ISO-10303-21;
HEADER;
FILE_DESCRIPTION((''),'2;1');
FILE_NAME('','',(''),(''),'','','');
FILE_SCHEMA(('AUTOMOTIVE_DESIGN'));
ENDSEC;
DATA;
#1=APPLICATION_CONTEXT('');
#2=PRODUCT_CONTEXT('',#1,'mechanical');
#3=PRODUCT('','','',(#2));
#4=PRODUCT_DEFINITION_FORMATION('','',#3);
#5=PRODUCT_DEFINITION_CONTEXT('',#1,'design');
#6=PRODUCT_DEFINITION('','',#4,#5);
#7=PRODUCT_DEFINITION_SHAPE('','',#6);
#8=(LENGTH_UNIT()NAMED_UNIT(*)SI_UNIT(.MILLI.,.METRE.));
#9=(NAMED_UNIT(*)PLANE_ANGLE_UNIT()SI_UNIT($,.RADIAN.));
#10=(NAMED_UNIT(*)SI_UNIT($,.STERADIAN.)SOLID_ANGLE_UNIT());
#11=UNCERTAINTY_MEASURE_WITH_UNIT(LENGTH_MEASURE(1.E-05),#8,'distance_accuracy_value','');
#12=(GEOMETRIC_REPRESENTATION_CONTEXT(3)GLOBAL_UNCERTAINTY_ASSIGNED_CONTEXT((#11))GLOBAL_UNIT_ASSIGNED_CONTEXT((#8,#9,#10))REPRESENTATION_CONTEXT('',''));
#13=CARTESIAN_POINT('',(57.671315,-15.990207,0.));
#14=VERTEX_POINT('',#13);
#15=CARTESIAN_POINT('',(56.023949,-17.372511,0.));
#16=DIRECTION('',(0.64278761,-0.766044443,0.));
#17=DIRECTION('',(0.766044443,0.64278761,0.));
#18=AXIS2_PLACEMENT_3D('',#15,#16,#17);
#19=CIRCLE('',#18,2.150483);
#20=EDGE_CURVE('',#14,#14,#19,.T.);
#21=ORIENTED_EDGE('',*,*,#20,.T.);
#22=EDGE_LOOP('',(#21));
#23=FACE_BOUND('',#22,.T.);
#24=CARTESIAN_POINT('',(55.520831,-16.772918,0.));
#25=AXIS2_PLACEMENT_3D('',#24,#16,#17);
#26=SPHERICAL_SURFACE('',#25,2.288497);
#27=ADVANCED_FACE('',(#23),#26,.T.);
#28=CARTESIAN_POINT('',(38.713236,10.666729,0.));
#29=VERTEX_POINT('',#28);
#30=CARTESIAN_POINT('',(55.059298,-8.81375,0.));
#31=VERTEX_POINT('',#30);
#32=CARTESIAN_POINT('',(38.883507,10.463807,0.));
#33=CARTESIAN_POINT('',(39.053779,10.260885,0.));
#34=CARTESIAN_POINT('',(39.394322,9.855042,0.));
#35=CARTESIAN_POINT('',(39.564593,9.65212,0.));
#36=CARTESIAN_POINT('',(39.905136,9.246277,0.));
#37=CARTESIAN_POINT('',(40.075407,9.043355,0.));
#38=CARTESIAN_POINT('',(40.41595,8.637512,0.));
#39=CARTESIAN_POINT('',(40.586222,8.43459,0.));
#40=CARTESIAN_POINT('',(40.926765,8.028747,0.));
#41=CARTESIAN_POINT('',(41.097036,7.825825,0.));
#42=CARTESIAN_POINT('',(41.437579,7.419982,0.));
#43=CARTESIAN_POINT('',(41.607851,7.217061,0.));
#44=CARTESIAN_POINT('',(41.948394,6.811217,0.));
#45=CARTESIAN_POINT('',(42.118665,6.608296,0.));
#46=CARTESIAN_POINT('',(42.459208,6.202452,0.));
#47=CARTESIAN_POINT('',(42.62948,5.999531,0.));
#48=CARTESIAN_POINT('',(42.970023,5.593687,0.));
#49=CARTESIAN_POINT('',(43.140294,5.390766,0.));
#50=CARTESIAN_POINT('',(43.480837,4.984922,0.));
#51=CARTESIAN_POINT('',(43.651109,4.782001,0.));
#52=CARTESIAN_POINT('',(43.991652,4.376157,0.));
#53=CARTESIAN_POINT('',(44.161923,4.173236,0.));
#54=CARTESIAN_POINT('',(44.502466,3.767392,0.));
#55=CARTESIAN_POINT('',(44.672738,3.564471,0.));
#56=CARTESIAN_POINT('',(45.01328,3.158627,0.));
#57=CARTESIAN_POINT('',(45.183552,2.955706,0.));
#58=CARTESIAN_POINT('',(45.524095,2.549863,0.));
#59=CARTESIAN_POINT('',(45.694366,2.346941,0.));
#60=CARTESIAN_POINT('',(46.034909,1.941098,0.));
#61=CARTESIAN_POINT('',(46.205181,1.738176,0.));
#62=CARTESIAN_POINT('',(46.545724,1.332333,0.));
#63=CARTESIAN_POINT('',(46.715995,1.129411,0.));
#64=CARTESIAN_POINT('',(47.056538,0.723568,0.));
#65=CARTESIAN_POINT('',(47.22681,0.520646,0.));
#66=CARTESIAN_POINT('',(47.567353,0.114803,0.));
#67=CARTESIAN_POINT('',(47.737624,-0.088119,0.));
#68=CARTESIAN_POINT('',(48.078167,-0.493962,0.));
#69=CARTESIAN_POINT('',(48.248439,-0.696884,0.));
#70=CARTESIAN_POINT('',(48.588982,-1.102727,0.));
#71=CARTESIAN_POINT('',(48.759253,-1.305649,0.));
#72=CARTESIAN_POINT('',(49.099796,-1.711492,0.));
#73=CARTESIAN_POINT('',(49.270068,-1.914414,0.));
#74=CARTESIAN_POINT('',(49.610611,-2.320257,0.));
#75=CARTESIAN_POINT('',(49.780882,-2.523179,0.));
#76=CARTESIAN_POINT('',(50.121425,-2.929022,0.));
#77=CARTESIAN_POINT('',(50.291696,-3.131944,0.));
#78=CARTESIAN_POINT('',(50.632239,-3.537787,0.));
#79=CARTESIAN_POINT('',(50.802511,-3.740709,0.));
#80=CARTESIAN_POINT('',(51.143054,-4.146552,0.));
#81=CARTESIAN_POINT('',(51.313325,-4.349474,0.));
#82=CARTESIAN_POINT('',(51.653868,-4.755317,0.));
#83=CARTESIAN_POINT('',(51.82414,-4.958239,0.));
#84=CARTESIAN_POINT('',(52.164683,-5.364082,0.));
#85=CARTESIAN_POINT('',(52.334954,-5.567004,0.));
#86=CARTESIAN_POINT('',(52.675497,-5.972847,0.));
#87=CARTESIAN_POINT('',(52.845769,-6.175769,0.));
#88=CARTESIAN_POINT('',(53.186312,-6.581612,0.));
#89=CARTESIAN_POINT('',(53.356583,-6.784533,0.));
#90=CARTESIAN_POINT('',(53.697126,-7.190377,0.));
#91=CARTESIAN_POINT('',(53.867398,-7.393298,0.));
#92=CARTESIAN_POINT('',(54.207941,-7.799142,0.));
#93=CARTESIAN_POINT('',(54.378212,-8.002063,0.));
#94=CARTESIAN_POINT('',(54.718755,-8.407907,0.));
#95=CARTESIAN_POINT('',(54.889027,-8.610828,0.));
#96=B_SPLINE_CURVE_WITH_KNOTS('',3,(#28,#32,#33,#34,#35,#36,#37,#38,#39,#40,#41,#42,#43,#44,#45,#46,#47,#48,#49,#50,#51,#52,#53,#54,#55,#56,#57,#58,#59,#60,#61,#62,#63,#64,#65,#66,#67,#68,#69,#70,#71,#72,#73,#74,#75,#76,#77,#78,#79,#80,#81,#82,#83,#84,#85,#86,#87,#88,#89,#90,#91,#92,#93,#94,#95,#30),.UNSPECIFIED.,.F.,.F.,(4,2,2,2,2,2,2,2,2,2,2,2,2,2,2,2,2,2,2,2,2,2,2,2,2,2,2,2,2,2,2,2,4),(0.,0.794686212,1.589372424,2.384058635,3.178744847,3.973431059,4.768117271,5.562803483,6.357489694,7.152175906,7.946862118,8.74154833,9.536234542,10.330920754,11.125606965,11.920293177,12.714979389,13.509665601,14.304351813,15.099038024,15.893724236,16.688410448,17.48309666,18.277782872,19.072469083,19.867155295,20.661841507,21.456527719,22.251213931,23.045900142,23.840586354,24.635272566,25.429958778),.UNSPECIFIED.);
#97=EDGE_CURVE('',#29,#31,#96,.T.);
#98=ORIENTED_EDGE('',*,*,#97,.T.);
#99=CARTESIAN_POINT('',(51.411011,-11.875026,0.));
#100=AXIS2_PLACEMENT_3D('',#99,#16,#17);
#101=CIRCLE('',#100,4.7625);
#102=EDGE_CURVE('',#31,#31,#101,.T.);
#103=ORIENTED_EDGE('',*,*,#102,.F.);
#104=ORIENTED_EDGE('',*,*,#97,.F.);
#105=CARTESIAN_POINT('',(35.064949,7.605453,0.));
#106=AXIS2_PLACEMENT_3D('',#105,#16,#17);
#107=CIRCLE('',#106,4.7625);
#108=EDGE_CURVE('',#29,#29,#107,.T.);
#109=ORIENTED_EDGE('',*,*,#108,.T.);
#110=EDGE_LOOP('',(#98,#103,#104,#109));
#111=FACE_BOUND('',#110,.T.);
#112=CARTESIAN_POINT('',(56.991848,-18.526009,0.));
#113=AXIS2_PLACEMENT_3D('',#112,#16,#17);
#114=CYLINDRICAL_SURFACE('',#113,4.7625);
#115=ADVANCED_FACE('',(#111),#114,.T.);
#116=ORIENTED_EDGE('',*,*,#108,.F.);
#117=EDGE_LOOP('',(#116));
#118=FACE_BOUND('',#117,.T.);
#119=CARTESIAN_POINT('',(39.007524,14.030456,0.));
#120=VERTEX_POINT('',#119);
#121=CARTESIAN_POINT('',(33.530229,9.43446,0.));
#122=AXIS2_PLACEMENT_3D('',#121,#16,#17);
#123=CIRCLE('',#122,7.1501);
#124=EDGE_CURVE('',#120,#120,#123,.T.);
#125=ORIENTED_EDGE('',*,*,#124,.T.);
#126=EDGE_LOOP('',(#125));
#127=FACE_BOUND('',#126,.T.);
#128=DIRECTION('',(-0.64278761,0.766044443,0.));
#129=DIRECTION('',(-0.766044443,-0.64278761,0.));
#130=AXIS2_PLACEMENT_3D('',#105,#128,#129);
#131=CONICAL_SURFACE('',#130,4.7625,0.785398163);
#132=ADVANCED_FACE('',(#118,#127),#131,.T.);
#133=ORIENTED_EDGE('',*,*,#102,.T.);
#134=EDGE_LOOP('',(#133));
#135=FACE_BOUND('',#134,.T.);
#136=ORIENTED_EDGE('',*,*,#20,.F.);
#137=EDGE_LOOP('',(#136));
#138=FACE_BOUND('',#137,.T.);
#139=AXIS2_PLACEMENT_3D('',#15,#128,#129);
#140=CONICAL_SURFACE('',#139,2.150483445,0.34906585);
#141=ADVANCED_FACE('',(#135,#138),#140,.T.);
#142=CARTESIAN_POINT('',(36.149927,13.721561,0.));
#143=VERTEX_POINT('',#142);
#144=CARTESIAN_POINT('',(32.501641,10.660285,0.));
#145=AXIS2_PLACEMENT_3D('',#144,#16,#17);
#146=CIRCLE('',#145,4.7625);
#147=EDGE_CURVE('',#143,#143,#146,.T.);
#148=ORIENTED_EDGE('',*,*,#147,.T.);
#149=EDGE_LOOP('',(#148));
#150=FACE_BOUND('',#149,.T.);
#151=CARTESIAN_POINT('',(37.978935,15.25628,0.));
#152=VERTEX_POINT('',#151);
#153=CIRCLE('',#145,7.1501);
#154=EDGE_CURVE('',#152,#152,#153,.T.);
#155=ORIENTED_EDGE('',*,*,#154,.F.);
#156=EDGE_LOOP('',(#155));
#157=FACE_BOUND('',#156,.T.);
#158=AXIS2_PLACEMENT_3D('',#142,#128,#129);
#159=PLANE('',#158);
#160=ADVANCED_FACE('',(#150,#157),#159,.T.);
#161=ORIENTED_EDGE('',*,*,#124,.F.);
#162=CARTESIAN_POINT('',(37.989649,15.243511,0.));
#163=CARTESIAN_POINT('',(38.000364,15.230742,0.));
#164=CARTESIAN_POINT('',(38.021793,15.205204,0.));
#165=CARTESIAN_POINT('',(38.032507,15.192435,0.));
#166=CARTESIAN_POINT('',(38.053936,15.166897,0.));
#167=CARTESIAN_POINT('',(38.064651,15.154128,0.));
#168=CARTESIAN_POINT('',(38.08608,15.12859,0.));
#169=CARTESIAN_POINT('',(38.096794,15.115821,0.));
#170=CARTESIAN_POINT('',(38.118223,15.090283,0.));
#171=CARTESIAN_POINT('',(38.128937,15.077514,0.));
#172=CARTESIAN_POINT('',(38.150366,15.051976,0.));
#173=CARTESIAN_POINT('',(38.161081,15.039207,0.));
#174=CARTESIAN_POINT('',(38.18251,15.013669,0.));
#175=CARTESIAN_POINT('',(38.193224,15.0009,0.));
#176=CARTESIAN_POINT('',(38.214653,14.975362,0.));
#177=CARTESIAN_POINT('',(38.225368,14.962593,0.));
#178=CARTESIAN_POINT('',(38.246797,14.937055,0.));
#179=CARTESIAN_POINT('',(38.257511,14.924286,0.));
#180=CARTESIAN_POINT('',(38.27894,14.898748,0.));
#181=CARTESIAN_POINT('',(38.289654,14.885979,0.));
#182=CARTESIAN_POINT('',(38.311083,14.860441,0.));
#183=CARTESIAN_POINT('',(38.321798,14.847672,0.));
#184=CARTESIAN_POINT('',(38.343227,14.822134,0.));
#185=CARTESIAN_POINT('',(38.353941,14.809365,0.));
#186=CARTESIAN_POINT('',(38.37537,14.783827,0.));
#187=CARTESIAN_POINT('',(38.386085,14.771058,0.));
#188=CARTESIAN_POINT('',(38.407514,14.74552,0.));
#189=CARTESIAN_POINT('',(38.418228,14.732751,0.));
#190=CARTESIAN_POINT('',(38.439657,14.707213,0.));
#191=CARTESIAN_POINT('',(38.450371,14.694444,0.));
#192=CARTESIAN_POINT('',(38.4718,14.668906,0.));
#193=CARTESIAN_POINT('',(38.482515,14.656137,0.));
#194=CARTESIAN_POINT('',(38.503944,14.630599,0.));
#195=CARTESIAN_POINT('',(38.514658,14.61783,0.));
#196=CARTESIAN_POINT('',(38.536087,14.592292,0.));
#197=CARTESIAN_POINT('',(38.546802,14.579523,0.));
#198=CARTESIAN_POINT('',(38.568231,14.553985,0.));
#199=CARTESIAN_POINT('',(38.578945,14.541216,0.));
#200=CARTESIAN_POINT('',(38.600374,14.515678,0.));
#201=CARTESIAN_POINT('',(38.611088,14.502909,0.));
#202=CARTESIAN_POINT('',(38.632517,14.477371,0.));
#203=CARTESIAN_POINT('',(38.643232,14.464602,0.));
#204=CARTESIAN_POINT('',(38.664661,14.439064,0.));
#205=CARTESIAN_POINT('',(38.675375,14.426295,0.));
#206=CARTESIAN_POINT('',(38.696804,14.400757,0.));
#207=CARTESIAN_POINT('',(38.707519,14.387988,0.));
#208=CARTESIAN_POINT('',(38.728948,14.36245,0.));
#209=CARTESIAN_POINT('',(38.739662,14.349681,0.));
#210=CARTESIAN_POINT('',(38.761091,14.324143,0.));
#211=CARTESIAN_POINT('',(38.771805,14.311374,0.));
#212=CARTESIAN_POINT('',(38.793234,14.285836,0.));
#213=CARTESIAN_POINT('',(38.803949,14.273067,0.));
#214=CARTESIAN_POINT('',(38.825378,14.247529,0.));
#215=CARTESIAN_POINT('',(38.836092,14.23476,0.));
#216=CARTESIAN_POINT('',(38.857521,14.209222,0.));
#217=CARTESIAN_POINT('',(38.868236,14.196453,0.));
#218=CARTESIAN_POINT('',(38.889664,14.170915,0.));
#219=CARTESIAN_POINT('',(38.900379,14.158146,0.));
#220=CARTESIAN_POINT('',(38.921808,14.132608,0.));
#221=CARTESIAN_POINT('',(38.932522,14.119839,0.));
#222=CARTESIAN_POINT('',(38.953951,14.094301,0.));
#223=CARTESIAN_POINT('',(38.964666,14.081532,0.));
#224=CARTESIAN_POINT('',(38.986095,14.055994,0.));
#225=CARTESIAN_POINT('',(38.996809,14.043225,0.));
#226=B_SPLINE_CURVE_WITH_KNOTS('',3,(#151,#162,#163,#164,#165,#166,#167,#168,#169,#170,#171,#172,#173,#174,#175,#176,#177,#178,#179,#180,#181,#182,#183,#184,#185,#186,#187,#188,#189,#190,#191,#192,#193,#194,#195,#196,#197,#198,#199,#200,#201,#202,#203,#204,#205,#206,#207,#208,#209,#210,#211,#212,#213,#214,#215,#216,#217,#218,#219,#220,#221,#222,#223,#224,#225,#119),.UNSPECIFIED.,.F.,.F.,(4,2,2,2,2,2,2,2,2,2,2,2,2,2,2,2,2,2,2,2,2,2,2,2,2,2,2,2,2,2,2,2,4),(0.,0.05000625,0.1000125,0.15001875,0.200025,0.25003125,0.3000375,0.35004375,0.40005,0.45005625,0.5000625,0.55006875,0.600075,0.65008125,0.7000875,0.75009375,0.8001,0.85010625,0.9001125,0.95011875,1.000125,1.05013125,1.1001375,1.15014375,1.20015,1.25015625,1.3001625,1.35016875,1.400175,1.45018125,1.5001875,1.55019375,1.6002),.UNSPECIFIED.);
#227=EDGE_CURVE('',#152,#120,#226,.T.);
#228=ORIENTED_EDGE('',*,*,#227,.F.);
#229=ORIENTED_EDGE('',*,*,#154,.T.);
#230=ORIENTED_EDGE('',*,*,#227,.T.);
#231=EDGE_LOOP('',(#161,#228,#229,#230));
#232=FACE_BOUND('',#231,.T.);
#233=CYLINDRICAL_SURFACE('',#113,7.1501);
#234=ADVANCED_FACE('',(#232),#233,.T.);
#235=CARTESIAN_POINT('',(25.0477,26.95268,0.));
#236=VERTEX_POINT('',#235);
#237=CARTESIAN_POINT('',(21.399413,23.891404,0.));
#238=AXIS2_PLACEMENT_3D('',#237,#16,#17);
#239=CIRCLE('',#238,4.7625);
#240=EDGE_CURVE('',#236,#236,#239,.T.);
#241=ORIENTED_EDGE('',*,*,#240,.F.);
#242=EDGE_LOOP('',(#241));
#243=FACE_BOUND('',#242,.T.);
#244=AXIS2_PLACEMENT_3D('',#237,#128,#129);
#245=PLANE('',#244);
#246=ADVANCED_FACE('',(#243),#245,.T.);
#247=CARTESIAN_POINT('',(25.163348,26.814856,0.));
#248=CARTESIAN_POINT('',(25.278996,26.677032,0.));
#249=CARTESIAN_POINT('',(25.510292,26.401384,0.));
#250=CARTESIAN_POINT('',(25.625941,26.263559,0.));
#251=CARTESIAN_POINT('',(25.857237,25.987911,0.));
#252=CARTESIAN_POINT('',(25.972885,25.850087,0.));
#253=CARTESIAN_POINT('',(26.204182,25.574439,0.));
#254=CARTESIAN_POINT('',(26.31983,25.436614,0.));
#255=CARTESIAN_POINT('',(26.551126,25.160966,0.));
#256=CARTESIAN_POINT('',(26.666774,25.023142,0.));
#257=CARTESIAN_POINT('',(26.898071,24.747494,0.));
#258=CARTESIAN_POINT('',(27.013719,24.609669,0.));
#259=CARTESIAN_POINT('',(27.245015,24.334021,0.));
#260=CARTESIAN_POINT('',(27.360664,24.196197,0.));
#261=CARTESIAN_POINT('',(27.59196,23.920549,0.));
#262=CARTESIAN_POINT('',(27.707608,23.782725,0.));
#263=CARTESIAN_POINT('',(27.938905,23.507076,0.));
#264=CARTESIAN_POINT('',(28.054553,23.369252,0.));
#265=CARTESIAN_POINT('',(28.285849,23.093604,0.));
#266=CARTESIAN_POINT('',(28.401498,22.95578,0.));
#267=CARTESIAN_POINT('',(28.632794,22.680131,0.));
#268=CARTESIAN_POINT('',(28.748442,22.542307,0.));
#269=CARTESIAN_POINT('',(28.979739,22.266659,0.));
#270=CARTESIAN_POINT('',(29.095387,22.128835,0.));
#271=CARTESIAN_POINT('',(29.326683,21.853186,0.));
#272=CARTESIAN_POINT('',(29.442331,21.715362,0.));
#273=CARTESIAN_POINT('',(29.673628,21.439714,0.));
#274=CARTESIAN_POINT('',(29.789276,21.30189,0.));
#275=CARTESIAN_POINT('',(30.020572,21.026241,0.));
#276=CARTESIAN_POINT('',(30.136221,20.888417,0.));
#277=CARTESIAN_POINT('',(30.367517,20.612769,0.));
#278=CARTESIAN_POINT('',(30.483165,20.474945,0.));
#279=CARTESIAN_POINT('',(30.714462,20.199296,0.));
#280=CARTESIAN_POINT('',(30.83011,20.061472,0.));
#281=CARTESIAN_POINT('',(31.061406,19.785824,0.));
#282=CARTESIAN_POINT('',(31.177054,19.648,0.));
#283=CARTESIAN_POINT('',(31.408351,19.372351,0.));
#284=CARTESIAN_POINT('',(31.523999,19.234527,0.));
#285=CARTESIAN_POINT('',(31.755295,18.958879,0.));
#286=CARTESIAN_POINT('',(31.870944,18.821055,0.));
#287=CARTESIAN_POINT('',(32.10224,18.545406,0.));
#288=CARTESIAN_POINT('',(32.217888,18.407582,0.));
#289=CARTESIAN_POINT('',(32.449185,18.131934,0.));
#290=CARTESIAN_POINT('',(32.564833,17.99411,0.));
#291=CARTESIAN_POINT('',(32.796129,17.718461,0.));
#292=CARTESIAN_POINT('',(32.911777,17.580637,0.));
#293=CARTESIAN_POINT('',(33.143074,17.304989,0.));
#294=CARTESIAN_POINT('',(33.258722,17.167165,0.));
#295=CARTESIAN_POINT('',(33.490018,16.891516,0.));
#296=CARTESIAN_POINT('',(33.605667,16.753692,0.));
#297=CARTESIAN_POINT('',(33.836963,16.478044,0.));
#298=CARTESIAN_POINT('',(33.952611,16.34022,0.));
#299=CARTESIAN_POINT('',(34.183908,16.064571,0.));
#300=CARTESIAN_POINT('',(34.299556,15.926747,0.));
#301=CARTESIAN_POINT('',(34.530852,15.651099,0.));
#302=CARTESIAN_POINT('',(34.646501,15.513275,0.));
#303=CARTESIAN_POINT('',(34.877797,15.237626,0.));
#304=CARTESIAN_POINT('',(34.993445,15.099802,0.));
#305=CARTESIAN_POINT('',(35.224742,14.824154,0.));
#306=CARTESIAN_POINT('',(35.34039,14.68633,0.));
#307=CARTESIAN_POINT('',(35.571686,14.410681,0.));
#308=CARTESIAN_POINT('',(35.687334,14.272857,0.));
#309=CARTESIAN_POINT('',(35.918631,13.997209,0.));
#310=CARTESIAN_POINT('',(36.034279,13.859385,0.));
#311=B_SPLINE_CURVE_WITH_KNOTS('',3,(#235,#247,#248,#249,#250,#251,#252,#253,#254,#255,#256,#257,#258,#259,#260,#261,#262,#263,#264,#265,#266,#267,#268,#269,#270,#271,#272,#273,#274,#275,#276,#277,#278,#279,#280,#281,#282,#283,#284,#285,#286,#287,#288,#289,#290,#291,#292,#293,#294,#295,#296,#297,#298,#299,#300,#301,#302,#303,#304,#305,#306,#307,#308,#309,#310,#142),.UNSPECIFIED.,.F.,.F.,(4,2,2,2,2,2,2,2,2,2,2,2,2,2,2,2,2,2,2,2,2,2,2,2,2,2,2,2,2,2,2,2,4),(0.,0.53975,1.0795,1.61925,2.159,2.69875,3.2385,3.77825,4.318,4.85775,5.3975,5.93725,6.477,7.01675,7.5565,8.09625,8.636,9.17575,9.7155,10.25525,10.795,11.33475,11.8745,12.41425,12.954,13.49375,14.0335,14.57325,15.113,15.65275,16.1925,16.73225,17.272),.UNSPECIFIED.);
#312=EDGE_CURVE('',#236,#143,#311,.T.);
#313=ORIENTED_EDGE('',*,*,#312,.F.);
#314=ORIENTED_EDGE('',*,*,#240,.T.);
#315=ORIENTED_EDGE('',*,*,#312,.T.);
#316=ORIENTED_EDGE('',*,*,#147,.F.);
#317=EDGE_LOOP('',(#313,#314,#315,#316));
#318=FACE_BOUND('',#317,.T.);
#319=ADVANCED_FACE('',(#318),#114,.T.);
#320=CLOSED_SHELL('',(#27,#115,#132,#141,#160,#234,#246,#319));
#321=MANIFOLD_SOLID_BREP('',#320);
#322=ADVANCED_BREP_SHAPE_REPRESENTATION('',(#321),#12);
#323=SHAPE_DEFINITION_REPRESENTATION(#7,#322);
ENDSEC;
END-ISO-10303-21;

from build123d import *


with BuildPart() as part:
    # Sketch2 → Revolve1 (revolve)
    with BuildSketch(Plane.XY):
        with BuildLine():
            Line((25.047699583, 26.952680264), (36.149927178, 13.721560642))
            Line((36.149927178, 13.721560642), (37.97893489, 15.256280339))
            Line((37.97893489, 15.256280339), (39.007523623, 14.030456021))
            Line((39.007523623, 14.030456021), (38.713235608, 10.666728612))
            Line((38.713235608, 10.666728612), (55.059298025, -8.813749999))
            Line((55.059298025, -8.813749999), (57.671314579, -15.990206501))
            ThreePointArc((57.671314579, -15.990206501), (57.731349183, -17.365224991), (56.991848446, -18.526008632))
            Line((56.991848446, -18.526008632), (21.399412923, 23.891404273))
            Line((21.399412923, 23.891404273), (25.047699583, 26.952680264))
        make_face()
    revolve(axis=Axis((56.991848446, -18.526008632, 0), (-0.6427876096865393, 0.7660444431189782, 0)))


solid = part.part
